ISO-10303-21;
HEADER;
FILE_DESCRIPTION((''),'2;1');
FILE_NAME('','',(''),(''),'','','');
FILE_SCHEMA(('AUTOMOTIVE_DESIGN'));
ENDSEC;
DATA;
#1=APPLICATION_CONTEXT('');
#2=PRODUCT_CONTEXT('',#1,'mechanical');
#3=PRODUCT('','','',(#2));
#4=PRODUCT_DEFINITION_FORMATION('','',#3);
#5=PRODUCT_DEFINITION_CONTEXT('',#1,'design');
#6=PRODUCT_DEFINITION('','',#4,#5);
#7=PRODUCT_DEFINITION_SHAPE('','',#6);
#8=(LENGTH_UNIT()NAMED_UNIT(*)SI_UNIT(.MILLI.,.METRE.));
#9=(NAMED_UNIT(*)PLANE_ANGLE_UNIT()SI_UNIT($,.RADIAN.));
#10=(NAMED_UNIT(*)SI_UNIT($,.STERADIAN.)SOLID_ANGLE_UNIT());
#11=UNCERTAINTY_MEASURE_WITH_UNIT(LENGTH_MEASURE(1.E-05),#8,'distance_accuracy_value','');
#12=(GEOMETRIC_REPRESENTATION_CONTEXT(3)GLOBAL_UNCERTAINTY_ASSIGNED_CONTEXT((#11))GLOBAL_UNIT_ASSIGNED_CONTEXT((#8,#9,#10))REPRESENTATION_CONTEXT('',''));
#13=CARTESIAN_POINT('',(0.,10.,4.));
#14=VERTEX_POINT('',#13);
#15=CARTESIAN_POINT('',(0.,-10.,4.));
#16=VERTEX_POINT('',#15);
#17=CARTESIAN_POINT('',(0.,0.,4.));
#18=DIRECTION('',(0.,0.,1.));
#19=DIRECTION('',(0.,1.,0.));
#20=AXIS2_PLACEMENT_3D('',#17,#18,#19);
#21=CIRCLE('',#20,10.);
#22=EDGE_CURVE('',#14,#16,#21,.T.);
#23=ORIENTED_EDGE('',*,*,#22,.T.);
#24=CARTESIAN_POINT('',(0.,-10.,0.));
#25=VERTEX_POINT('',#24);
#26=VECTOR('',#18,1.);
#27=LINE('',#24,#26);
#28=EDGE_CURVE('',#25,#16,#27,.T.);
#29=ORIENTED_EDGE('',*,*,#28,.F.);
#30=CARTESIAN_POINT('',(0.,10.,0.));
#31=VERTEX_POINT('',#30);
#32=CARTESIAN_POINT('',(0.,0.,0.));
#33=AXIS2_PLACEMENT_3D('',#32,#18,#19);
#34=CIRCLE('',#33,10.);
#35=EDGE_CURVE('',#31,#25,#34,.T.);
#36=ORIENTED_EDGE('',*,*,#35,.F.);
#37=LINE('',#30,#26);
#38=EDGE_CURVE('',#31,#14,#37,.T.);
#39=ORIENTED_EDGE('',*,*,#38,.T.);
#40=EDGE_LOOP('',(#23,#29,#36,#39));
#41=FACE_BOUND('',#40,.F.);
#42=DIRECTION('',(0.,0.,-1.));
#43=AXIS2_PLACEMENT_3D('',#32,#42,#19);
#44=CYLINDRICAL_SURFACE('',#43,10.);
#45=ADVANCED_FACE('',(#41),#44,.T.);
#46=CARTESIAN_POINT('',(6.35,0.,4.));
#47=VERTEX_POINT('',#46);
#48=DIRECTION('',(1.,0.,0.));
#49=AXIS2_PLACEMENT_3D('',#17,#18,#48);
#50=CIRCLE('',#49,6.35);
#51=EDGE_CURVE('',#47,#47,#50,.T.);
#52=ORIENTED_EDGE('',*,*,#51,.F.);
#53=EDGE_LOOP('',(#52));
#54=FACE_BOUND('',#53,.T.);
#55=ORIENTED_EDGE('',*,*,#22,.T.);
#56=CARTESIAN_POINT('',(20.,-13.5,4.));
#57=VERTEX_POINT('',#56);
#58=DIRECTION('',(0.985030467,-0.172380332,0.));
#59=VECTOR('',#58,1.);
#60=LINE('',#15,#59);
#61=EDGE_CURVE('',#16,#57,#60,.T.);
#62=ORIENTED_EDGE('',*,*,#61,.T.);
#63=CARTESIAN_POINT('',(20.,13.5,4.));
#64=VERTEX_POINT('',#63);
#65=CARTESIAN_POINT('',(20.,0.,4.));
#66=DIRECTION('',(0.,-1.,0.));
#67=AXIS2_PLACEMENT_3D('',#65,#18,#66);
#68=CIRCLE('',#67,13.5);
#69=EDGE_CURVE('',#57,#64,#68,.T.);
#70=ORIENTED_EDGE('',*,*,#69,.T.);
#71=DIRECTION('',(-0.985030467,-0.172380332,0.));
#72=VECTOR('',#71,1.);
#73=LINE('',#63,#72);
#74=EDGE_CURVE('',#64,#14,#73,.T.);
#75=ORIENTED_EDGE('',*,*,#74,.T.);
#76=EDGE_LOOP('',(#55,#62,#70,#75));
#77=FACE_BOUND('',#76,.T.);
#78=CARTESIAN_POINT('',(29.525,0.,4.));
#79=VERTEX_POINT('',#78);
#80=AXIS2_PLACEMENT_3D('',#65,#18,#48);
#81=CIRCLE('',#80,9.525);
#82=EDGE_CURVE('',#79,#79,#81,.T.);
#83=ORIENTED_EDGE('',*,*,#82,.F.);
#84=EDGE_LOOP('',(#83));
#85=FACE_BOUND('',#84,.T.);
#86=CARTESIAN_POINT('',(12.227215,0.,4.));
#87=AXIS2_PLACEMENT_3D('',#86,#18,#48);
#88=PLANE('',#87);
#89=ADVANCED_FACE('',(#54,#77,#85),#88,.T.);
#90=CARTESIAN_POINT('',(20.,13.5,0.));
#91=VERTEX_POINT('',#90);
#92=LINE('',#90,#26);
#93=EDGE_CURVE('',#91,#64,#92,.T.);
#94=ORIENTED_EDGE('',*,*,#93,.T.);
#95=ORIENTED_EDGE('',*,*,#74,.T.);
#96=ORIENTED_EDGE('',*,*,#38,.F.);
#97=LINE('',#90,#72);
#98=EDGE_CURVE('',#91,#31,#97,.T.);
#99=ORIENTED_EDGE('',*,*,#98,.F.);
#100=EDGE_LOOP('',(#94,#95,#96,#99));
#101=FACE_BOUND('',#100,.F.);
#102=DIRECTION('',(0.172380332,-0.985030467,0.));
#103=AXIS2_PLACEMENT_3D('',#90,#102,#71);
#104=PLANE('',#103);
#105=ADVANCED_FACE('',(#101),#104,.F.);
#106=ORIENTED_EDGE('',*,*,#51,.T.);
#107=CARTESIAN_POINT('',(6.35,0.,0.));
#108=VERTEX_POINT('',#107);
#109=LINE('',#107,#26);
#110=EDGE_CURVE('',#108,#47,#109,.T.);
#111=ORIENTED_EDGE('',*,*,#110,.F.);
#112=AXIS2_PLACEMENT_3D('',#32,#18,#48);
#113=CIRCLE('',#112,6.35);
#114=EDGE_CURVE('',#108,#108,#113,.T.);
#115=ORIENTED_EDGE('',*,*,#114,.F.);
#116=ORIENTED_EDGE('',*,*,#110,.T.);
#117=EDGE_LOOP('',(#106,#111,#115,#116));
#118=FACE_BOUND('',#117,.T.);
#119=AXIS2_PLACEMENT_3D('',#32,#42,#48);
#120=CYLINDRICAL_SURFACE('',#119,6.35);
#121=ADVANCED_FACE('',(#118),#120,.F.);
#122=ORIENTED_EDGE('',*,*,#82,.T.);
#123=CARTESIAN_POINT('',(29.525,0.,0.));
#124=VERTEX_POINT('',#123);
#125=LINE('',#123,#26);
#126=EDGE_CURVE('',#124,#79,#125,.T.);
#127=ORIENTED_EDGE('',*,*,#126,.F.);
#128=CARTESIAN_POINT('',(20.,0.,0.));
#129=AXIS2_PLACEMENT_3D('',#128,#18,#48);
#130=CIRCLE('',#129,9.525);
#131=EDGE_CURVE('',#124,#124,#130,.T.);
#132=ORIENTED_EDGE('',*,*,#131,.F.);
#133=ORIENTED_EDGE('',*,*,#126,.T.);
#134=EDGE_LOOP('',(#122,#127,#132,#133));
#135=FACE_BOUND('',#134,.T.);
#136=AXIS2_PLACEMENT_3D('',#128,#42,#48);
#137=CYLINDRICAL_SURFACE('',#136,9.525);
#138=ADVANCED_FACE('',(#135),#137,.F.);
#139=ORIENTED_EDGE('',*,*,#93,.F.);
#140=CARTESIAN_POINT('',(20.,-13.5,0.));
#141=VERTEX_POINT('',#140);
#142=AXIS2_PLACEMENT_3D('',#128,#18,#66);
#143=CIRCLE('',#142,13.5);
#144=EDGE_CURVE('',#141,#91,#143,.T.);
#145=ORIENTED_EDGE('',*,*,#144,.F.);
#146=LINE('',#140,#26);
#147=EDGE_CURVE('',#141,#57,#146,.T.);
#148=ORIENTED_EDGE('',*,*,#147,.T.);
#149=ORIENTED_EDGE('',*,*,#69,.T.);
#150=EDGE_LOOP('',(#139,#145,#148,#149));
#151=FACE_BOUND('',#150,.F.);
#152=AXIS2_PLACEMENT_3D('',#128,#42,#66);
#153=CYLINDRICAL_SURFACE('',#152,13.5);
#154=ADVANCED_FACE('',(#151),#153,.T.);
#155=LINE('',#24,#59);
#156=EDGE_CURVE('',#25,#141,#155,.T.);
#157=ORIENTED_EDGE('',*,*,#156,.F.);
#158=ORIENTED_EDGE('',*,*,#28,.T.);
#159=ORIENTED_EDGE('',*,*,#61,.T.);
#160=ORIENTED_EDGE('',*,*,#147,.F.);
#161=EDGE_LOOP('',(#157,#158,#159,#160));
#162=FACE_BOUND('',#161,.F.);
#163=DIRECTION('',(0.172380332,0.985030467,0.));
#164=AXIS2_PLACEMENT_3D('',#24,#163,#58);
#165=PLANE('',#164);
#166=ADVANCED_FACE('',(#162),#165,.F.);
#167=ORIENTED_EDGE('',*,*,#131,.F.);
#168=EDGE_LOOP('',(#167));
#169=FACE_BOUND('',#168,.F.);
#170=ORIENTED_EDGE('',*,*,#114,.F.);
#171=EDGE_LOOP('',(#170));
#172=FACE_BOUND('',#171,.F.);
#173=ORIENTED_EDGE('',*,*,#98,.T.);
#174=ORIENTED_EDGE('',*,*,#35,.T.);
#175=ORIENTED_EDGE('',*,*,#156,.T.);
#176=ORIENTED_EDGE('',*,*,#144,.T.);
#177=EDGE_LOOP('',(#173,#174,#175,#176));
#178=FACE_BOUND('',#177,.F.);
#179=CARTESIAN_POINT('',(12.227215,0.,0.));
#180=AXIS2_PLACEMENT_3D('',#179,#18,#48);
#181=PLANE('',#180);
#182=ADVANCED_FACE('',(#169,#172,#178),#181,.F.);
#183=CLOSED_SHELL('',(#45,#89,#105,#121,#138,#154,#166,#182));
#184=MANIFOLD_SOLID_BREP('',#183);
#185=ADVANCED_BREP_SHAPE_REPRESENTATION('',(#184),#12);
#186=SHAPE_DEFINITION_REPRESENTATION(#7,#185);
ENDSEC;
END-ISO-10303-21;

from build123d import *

# Parameters (mm, degrees)
F0_R     = 6.35
F0_R_2   = 9.525
F1_DEPTH = 4


with BuildPart() as f1:
    # F0 (on Top) → F1 (new body)
    with BuildSketch(Plane.XY):
        with BuildLine():
            Line((20, 13.5), (0, 10))
            ThreePointArc((0, 10), (-10, 0), (0, -10))
            Line((0, -10), (20, -13.5))
            ThreePointArc((20, -13.5), (33.5, 0), (20, 13.5))
        make_face()
        Circle(F0_R, mode=Mode.SUBTRACT)
        with Locations((20, 0)):
            Circle(F0_R_2, mode=Mode.SUBTRACT)
    extrude(amount=F1_DEPTH)


solid = f1.part
